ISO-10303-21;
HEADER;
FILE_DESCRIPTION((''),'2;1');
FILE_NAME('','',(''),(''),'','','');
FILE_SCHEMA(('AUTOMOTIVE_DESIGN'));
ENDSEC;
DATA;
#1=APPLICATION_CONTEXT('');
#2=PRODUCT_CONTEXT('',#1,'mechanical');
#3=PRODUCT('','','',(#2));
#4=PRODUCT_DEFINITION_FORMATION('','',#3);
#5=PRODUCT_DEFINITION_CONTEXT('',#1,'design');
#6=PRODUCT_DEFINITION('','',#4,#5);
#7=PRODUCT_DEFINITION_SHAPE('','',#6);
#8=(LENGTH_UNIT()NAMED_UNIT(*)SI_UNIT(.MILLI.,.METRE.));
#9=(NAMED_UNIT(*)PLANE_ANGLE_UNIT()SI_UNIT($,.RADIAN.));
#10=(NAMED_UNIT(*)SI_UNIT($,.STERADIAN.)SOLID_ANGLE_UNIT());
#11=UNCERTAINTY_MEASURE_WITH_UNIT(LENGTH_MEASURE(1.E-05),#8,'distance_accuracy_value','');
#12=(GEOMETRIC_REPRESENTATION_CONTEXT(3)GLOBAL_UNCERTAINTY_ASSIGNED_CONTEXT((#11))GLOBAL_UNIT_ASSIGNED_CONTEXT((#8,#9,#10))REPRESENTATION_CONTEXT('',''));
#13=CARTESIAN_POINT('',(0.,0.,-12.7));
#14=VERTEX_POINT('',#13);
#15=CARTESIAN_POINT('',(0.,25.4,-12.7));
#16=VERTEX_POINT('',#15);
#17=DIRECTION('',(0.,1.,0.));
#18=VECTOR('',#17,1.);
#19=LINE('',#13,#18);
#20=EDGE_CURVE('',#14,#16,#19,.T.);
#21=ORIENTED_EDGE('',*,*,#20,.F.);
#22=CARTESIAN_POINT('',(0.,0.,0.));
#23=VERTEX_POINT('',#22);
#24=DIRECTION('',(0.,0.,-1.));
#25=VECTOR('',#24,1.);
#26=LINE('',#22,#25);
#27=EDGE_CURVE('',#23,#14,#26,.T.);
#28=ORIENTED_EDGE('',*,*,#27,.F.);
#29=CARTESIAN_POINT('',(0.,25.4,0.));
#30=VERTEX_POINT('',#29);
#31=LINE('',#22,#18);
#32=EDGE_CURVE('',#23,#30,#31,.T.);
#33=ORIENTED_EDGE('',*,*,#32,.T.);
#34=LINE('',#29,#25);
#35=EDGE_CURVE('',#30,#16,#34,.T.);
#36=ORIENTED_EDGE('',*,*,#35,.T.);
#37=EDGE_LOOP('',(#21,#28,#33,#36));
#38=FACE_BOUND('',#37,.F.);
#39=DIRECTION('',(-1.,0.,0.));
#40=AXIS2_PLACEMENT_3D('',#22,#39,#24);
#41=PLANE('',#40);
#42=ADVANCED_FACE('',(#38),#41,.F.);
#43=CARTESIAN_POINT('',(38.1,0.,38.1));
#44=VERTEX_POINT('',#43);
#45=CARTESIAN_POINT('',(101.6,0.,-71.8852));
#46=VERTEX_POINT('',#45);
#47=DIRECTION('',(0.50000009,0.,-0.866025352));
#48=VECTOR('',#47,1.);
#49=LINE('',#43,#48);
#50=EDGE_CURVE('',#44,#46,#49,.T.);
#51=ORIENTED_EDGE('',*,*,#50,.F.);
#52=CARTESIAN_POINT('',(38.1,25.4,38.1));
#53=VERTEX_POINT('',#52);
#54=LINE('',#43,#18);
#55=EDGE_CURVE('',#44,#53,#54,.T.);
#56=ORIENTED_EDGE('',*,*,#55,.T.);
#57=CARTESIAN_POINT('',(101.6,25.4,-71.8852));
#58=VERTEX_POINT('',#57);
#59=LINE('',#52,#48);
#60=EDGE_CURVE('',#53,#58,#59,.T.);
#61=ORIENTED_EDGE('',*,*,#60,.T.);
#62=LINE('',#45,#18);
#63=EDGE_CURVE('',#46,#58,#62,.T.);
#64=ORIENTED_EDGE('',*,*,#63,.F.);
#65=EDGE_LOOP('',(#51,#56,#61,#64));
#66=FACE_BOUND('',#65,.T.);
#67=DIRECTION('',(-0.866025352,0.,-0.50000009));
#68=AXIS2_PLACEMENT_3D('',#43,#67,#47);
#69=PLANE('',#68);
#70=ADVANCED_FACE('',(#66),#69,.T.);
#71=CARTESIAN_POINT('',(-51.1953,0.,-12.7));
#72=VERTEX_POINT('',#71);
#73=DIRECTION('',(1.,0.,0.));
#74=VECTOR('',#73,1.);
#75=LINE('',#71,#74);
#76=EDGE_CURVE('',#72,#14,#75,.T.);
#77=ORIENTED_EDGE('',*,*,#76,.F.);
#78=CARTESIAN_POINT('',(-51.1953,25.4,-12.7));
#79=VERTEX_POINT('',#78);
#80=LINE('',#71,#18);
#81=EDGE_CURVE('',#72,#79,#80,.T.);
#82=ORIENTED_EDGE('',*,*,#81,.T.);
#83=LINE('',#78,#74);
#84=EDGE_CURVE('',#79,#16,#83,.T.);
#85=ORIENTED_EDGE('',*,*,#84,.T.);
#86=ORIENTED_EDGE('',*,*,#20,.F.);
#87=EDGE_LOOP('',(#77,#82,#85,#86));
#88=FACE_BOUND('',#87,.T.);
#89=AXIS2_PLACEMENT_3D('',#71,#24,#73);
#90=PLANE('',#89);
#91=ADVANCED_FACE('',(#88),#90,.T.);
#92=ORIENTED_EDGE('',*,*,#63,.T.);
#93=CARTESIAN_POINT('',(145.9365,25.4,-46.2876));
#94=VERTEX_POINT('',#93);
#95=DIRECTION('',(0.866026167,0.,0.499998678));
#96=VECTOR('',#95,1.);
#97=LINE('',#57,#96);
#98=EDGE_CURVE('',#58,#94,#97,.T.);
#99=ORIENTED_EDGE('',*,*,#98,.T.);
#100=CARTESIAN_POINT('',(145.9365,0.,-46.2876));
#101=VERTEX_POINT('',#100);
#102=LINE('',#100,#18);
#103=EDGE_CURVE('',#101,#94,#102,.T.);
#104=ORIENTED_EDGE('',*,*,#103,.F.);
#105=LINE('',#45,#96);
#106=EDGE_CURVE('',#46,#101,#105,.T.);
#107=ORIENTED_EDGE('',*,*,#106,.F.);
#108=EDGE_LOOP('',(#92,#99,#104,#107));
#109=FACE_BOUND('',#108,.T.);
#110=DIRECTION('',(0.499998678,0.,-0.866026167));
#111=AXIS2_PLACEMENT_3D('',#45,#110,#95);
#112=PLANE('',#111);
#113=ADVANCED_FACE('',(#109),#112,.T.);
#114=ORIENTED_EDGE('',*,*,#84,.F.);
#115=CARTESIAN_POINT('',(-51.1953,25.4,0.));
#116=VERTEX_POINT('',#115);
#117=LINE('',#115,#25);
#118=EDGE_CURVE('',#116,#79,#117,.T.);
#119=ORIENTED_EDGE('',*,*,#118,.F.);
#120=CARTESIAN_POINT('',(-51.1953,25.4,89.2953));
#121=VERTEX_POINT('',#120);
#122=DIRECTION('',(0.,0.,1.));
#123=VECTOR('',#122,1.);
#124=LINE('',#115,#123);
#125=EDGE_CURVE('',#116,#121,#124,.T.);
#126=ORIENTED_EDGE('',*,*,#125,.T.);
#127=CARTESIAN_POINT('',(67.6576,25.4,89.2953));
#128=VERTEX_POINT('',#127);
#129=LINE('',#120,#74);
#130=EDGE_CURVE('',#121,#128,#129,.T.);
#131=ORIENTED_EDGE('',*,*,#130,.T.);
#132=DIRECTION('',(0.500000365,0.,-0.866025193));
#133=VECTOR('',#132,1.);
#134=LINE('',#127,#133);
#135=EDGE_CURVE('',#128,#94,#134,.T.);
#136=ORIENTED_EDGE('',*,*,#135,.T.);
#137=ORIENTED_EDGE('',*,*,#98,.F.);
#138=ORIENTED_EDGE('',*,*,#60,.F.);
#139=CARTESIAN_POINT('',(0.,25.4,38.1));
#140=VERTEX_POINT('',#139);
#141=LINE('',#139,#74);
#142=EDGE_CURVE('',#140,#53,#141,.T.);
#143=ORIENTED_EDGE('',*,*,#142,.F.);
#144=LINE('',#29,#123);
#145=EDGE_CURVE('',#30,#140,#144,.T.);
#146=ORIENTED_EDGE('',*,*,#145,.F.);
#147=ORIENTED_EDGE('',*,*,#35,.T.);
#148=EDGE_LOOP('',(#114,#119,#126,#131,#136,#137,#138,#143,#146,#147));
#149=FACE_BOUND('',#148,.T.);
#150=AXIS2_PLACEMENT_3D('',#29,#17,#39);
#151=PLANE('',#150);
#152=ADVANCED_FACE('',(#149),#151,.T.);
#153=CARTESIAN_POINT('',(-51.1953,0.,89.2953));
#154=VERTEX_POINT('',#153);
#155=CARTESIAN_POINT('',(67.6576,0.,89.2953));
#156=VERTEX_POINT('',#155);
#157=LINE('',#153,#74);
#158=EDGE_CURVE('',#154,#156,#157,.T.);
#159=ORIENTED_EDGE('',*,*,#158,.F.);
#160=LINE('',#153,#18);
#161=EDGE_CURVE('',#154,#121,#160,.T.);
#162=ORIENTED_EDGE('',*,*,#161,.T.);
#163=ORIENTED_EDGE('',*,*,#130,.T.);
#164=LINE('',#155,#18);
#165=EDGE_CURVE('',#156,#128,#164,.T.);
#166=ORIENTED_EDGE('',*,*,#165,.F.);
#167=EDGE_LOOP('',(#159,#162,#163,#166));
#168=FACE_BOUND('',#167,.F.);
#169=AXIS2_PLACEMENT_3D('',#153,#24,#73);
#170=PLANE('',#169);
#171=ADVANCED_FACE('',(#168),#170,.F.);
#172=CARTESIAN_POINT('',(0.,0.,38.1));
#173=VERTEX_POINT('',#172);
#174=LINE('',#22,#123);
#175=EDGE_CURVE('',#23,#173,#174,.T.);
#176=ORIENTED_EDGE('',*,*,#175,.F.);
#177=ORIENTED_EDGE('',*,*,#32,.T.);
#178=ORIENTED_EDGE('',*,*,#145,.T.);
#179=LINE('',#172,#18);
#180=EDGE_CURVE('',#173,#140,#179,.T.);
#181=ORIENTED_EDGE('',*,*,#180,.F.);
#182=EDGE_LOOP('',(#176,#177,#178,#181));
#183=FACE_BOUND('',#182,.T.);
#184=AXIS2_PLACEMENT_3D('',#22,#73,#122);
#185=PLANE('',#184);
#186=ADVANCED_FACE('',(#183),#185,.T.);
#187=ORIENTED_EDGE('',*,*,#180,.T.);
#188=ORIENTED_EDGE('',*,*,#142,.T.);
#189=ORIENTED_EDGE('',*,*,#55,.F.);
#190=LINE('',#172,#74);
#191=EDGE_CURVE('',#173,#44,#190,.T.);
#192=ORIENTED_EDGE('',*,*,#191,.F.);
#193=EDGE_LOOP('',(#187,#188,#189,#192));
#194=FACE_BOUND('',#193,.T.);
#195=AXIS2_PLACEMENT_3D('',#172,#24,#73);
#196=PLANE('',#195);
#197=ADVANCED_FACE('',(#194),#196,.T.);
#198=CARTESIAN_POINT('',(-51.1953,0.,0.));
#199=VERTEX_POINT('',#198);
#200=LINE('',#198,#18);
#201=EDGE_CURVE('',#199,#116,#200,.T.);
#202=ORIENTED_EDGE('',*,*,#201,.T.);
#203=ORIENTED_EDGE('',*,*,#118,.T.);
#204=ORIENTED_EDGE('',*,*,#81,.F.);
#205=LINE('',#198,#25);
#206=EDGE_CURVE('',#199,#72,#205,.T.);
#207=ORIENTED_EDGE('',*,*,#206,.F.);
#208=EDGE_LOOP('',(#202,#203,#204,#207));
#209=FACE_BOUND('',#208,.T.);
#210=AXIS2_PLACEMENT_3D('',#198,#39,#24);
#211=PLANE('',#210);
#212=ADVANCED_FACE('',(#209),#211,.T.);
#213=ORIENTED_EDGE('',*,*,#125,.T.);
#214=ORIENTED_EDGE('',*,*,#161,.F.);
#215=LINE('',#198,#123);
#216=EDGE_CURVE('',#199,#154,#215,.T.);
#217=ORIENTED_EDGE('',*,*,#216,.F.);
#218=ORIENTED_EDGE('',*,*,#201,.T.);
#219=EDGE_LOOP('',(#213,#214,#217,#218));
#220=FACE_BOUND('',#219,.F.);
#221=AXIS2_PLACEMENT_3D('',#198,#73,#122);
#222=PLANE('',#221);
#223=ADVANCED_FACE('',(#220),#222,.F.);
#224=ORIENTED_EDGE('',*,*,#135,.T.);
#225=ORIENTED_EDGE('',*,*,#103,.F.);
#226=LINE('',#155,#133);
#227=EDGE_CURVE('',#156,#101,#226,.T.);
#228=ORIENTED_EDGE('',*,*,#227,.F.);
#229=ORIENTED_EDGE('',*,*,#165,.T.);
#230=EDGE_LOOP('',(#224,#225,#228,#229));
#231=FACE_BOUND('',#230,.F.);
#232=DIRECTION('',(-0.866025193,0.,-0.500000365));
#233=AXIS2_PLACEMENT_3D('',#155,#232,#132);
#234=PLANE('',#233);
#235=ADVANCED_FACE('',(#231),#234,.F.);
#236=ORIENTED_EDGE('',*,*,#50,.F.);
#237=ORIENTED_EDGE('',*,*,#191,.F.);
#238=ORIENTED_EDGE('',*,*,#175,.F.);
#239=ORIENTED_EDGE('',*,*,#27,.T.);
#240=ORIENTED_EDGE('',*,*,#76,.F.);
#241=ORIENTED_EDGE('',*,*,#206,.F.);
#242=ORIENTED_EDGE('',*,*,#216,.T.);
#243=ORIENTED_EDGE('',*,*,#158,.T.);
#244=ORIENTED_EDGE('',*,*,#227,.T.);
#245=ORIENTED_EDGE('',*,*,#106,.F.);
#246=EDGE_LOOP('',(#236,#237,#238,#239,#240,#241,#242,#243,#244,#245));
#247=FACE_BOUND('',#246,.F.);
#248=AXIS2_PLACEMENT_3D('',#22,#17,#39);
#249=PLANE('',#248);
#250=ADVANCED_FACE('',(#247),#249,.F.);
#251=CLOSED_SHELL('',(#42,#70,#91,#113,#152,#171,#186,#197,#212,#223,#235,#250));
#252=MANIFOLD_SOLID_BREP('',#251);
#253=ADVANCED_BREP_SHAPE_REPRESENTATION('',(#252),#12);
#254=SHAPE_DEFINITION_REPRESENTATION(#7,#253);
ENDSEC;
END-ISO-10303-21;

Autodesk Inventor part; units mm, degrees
ref_plane "YZ Plane" through (0, 0, 0) normal (1, 0, 0) x (0, 1, 0)
ref_plane "XZ Plane" through (0, 0, 0) normal (0, 1, 0) x (-1, 0, 0)
ref_plane "XY Plane" through (0, 0, 0) normal (0, 0, 1) x (1, 0, 0)
sketch "Sketch5" plane through (0, 0, 0) normal (0, 1, 0) x (-1, 0, 0)
  line L0 (0, 0) -> (0, 38.1)
  line L1 (0, 38.1) -> (-38.1, 38.1)
  line L2 (-38.1, 38.1) -> (-101.6, -71.8852)
  line L3 (51.1953, 0) -> (51.1953, 89.2953)
  line L4 (51.1953, 89.2953) -> (-67.6576, 89.2953)
  line L5 (-67.6576, 89.2953) -> (-145.9365, -46.2876)
  line L6 (-101.6, -71.8852) -> (-145.9365, -46.2876)
  line L7 (0, 0) -> (0, -12.7)
  line L8 (51.1953, 0) -> (51.1953, -12.7)
  line L9 (51.1953, 0) -> (63.8953, 0) construction
  line L10 (51.1953, -12.7) -> (0, -12.7)
  dimension "d33" = 38.1
  dimension "d34" = 38.1
  dimension "d35" = 127
  dimension "d36" = 120
  dimension "d37" = 51.1953
  dimension "d38" = 12.7
  dimension "d39" = 12.7
  dimension "d40" = 90
extrude "Extrusion4" add sketch "Sketch5" along normal blind 25.4
properties part number "S claw half"
